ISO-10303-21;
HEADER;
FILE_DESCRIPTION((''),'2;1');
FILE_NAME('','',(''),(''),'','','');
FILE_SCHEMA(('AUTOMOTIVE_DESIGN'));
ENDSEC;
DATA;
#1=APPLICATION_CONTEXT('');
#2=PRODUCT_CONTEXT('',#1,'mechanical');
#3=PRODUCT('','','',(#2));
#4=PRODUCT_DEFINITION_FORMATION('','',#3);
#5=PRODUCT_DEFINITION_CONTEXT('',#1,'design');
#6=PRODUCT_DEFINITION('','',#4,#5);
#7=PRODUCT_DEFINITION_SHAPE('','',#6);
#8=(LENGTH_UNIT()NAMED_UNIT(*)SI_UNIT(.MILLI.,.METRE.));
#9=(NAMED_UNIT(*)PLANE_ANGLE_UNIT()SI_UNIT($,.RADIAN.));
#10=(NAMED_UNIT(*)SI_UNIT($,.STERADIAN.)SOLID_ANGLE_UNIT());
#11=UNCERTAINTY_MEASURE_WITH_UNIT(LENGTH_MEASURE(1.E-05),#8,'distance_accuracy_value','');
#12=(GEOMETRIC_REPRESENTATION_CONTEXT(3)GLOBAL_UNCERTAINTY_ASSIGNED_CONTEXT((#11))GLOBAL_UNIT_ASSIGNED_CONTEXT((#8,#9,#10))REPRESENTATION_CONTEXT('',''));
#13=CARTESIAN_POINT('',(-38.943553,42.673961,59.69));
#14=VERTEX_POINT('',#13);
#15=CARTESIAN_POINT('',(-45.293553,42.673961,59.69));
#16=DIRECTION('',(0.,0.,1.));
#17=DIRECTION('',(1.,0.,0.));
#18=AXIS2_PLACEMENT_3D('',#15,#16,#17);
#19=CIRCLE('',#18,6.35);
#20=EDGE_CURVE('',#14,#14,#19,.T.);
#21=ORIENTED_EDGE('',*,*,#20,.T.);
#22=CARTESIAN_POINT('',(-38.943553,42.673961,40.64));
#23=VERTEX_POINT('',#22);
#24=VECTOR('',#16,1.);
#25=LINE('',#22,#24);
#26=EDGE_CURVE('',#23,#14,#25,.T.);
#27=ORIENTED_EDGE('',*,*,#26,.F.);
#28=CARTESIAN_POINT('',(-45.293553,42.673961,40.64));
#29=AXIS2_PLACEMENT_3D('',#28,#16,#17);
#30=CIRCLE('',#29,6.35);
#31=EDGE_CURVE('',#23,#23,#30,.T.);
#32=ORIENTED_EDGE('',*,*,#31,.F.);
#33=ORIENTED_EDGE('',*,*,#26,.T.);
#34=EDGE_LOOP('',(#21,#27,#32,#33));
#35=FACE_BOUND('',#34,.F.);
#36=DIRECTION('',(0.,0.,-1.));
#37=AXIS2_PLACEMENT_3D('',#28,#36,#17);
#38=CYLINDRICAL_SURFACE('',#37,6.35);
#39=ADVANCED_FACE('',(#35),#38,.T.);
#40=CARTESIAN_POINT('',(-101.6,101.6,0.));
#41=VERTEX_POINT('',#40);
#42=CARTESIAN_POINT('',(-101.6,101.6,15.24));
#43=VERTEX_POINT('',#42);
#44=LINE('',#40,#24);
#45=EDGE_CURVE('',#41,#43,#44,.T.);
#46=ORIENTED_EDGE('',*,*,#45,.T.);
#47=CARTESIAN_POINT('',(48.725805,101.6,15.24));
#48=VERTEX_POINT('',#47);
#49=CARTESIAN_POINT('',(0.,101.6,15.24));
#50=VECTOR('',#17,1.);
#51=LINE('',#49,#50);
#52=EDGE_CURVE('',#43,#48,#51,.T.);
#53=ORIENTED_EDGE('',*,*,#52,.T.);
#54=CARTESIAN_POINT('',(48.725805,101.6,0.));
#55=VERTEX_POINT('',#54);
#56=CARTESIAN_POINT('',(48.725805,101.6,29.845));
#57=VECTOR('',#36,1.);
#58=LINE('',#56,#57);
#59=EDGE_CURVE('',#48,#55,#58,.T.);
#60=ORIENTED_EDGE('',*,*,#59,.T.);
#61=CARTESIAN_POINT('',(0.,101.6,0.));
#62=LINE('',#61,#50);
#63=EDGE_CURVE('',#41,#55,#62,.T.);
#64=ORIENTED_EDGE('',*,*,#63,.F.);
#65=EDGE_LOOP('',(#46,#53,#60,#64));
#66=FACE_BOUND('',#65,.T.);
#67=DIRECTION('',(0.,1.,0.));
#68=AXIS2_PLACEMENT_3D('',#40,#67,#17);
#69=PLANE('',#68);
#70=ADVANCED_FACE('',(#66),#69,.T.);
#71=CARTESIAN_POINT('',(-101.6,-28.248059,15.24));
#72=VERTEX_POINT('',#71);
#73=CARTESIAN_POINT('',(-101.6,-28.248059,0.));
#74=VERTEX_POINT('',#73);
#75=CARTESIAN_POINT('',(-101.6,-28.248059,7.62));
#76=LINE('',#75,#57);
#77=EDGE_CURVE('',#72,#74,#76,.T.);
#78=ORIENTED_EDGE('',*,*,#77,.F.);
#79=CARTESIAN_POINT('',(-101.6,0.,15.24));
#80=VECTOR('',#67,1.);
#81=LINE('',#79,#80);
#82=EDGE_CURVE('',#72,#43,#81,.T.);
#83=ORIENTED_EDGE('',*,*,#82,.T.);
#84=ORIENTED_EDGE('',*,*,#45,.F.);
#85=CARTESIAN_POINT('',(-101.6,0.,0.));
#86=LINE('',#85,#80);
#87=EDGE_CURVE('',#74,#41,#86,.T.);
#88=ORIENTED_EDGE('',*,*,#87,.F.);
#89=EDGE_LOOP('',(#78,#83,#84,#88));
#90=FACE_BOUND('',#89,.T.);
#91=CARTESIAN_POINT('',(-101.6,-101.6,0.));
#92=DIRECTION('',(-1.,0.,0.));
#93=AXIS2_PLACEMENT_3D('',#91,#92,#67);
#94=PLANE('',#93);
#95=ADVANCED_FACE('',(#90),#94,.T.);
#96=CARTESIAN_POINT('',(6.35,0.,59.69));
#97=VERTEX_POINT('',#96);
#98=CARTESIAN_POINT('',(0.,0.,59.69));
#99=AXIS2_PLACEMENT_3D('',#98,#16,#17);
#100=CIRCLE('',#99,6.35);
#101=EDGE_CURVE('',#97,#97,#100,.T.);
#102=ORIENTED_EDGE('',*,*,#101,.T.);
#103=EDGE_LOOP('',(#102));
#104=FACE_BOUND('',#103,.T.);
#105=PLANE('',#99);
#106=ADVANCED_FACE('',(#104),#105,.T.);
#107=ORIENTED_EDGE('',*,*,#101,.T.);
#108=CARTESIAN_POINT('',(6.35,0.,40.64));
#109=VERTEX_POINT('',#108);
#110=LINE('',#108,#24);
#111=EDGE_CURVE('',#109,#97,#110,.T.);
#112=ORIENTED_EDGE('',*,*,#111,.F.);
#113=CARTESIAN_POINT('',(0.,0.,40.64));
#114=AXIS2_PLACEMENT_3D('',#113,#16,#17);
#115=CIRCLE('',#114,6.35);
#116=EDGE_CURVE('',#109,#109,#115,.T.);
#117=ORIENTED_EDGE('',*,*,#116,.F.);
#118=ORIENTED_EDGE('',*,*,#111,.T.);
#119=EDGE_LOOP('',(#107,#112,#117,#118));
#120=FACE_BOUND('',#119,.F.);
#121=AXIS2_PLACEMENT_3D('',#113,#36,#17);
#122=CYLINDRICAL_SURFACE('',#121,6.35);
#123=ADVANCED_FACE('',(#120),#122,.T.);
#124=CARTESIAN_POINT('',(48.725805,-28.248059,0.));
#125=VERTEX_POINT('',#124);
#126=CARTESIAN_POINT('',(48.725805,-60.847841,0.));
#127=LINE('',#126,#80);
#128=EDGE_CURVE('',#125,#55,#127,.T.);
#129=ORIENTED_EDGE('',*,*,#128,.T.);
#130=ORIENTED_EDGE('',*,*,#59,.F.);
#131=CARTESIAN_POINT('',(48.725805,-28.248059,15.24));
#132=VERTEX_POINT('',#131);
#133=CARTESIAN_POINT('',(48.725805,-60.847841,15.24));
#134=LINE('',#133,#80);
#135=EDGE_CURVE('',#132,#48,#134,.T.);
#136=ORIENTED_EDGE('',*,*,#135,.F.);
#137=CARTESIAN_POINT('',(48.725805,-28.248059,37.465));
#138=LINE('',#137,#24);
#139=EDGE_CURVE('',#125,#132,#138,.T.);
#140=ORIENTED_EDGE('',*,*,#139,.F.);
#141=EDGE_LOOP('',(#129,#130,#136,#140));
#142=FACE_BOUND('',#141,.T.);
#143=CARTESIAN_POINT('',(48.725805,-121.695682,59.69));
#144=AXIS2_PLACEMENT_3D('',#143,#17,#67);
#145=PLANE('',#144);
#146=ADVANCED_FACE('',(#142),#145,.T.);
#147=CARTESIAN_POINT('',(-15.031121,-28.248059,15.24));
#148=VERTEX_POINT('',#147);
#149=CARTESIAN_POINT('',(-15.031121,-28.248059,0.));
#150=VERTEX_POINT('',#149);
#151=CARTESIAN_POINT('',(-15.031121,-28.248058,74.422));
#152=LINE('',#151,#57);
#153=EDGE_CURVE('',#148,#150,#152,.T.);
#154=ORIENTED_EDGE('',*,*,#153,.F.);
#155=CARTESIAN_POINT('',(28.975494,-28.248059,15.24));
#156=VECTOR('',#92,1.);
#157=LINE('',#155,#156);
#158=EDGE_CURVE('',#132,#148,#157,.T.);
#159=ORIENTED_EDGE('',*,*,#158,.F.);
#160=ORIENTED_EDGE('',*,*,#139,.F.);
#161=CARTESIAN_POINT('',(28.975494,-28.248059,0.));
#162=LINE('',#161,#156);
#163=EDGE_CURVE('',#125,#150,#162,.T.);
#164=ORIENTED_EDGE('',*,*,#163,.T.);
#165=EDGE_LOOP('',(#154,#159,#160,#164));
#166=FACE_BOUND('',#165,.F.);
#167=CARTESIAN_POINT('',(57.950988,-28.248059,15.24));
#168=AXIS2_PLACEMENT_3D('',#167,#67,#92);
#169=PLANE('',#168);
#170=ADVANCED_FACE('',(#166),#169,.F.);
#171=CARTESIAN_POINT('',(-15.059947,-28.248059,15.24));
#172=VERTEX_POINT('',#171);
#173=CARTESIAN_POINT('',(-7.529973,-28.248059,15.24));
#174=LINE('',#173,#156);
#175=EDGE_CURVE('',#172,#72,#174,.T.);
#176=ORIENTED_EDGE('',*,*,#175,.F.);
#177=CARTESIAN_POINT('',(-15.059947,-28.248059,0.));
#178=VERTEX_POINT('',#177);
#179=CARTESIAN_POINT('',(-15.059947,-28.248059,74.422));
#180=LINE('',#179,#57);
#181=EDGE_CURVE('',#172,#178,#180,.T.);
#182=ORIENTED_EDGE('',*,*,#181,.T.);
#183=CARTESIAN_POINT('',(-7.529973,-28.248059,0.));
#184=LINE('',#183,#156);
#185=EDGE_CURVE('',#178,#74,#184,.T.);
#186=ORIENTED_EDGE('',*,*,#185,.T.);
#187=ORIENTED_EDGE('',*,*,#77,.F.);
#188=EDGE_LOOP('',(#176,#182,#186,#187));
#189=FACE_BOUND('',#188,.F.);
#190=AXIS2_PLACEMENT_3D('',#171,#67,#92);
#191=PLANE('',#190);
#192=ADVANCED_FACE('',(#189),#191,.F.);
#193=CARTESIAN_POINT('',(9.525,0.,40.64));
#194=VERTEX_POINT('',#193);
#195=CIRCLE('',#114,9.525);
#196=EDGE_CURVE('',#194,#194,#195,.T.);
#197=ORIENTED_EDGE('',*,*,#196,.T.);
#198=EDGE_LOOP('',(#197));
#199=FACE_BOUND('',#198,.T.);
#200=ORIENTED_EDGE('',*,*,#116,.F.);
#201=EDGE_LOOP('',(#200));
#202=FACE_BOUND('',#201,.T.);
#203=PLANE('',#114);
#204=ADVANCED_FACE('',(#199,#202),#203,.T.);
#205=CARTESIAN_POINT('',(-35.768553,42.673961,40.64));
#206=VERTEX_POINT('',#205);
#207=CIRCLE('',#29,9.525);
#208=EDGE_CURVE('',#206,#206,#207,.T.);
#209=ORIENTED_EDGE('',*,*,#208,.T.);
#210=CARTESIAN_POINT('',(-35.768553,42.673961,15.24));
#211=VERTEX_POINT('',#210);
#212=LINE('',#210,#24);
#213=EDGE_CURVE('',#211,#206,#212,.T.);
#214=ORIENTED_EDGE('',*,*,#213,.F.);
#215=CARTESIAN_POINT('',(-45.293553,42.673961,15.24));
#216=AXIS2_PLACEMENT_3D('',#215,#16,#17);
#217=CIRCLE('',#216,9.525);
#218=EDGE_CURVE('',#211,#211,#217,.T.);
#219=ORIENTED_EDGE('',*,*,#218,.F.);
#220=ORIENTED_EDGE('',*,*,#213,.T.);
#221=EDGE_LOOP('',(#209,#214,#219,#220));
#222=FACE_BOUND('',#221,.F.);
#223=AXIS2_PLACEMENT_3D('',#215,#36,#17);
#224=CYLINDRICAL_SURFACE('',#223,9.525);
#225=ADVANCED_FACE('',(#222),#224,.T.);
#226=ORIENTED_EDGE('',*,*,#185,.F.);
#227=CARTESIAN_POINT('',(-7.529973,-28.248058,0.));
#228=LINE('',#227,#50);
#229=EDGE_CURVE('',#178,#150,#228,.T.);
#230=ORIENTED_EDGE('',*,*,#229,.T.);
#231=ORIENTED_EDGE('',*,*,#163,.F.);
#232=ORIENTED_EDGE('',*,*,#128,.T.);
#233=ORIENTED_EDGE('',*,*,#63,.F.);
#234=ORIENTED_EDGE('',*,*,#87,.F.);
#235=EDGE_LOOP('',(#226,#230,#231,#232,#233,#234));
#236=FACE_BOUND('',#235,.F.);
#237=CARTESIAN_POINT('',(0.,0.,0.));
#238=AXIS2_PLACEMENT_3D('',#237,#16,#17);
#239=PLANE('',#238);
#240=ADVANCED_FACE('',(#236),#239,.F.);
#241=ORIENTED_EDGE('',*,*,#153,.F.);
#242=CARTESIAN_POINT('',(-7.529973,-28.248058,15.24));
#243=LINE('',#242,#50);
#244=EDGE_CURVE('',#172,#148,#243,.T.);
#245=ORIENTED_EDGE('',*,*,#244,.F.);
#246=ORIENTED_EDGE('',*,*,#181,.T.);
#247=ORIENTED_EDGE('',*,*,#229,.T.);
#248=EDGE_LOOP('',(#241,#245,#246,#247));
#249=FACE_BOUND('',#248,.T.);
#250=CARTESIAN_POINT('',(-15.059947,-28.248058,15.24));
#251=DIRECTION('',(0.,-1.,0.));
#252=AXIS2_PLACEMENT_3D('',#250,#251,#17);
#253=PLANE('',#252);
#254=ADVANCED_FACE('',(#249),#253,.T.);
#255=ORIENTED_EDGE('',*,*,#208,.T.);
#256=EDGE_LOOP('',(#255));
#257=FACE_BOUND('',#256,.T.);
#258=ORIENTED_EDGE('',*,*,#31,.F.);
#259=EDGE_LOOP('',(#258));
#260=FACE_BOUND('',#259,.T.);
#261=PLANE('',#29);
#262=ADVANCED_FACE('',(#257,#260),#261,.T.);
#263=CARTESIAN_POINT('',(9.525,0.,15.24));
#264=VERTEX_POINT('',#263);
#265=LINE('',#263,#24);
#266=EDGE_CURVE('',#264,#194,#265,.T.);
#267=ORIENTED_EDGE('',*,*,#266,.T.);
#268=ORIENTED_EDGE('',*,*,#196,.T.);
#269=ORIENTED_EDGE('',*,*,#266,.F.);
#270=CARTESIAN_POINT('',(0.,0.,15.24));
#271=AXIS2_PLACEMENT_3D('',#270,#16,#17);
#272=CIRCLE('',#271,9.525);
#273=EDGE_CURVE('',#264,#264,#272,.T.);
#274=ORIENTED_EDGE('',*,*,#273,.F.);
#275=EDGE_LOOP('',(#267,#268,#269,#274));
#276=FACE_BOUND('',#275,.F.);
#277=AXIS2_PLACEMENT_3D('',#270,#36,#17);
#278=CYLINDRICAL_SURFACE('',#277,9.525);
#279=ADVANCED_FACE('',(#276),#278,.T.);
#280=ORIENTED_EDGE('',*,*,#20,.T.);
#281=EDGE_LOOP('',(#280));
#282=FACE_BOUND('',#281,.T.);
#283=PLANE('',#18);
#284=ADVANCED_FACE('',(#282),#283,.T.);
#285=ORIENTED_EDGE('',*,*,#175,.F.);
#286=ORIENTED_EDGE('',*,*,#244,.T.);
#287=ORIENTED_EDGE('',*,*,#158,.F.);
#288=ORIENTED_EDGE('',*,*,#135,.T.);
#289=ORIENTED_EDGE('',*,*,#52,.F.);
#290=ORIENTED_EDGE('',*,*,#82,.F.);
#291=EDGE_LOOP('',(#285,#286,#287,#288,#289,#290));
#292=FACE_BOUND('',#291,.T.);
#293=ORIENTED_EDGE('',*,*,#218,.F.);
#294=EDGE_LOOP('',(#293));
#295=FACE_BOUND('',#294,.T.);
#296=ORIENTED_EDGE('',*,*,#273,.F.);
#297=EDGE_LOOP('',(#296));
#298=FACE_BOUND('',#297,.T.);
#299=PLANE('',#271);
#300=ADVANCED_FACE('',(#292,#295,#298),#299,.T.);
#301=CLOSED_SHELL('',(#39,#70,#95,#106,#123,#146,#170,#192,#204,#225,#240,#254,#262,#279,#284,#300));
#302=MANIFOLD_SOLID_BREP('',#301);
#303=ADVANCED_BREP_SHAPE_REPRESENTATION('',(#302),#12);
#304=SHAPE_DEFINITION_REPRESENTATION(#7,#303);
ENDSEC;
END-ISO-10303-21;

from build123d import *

# Parameters (mm, degrees)
F0_W      = 203.2
F0_H      = 203.2
F1_DEPTH  = 15.24
F2_R      = 9.525
F3_DEPTH  = 25.4
F4_R      = 6.35
F5_DEPTH  = 19.05
F6_R      = 9.525
F7_DEPTH  = 25.4
F8_R      = 6.35
F9_DEPTH  = 19.05
F10_W     = 66.012211
F10_H     = 227.670602
F11_DEPTH = 81.788
F12_W     = 0.028826
F12_H     = 5.976447
F13_DEPTH = 59.182


with BuildPart() as f1:
    # F0 (on Top) → F1 (new body)
    with BuildSketch(Plane.XY):
        Rectangle(F0_W, F0_H)
    extrude(amount=F1_DEPTH)

    # F2 (on face) → F3 (join)
    with BuildSketch(Plane.XY.offset(15.24)):
        Circle(F2_R)
        with Locations((62.23, 0)):
            Circle(F2_R)
        with Locations((-45.293553, 42.673961)):
            Circle(F2_R)
        with Locations((62.23, -62.23)):
            Circle(F2_R)
    extrude(amount=F3_DEPTH)

    # F4 (on face) → F5 (join)
    with BuildSketch(Plane.XY.offset(40.64)):
        with Locations((-45.293553, 42.673961)):
            Circle(F4_R)
        Circle(F4_R)
        with Locations((62.23, -62.23)):
            Circle(F4_R)
        with Locations((62.23, 0)):
            Circle(F4_R)
    extrude(amount=F5_DEPTH)

    # F6 (on face) → F7 (join)
    with BuildSketch(Plane.XY.offset(15.24)):
        with Locations((-42.088444, -45.838148)):
            Circle(F6_R)
    extrude(amount=F7_DEPTH)

    # F8 (on face) → F9 (join)
    with BuildSketch(Plane.XY.offset(40.64)):
        with Locations((-42.088444, -45.838148)):
            Circle(F8_R)
    extrude(amount=F9_DEPTH)

    # F10 (on face) → F11 (cut)
    with BuildSketch(Plane.XY.offset(59.69)):
        with Locations((81.731911, -7.860381)):
            Rectangle(F10_W, F10_H)
    extrude(amount=-F11_DEPTH, mode=Mode.SUBTRACT)

    # F12 (on face) → F13 (cut, symmetric)
    with BuildSketch(Plane.XY.offset(15.24)):
        Polygon((-15.059947, -28.248059), (-113.846987, -28.248059), (-113.846987, -116.091147), (57.950988, -116.091147), (57.950988, -28.248059), (-15.031121, -28.248059), (-15.031121, -34.224506), (-15.059947, -34.224506), align=None)
        with Locations((-15.045534, -31.236282)):
            Rectangle(F12_W, F12_H)
    extrude(amount=F13_DEPTH, both=True, mode=Mode.SUBTRACT)


solid = f1.part
